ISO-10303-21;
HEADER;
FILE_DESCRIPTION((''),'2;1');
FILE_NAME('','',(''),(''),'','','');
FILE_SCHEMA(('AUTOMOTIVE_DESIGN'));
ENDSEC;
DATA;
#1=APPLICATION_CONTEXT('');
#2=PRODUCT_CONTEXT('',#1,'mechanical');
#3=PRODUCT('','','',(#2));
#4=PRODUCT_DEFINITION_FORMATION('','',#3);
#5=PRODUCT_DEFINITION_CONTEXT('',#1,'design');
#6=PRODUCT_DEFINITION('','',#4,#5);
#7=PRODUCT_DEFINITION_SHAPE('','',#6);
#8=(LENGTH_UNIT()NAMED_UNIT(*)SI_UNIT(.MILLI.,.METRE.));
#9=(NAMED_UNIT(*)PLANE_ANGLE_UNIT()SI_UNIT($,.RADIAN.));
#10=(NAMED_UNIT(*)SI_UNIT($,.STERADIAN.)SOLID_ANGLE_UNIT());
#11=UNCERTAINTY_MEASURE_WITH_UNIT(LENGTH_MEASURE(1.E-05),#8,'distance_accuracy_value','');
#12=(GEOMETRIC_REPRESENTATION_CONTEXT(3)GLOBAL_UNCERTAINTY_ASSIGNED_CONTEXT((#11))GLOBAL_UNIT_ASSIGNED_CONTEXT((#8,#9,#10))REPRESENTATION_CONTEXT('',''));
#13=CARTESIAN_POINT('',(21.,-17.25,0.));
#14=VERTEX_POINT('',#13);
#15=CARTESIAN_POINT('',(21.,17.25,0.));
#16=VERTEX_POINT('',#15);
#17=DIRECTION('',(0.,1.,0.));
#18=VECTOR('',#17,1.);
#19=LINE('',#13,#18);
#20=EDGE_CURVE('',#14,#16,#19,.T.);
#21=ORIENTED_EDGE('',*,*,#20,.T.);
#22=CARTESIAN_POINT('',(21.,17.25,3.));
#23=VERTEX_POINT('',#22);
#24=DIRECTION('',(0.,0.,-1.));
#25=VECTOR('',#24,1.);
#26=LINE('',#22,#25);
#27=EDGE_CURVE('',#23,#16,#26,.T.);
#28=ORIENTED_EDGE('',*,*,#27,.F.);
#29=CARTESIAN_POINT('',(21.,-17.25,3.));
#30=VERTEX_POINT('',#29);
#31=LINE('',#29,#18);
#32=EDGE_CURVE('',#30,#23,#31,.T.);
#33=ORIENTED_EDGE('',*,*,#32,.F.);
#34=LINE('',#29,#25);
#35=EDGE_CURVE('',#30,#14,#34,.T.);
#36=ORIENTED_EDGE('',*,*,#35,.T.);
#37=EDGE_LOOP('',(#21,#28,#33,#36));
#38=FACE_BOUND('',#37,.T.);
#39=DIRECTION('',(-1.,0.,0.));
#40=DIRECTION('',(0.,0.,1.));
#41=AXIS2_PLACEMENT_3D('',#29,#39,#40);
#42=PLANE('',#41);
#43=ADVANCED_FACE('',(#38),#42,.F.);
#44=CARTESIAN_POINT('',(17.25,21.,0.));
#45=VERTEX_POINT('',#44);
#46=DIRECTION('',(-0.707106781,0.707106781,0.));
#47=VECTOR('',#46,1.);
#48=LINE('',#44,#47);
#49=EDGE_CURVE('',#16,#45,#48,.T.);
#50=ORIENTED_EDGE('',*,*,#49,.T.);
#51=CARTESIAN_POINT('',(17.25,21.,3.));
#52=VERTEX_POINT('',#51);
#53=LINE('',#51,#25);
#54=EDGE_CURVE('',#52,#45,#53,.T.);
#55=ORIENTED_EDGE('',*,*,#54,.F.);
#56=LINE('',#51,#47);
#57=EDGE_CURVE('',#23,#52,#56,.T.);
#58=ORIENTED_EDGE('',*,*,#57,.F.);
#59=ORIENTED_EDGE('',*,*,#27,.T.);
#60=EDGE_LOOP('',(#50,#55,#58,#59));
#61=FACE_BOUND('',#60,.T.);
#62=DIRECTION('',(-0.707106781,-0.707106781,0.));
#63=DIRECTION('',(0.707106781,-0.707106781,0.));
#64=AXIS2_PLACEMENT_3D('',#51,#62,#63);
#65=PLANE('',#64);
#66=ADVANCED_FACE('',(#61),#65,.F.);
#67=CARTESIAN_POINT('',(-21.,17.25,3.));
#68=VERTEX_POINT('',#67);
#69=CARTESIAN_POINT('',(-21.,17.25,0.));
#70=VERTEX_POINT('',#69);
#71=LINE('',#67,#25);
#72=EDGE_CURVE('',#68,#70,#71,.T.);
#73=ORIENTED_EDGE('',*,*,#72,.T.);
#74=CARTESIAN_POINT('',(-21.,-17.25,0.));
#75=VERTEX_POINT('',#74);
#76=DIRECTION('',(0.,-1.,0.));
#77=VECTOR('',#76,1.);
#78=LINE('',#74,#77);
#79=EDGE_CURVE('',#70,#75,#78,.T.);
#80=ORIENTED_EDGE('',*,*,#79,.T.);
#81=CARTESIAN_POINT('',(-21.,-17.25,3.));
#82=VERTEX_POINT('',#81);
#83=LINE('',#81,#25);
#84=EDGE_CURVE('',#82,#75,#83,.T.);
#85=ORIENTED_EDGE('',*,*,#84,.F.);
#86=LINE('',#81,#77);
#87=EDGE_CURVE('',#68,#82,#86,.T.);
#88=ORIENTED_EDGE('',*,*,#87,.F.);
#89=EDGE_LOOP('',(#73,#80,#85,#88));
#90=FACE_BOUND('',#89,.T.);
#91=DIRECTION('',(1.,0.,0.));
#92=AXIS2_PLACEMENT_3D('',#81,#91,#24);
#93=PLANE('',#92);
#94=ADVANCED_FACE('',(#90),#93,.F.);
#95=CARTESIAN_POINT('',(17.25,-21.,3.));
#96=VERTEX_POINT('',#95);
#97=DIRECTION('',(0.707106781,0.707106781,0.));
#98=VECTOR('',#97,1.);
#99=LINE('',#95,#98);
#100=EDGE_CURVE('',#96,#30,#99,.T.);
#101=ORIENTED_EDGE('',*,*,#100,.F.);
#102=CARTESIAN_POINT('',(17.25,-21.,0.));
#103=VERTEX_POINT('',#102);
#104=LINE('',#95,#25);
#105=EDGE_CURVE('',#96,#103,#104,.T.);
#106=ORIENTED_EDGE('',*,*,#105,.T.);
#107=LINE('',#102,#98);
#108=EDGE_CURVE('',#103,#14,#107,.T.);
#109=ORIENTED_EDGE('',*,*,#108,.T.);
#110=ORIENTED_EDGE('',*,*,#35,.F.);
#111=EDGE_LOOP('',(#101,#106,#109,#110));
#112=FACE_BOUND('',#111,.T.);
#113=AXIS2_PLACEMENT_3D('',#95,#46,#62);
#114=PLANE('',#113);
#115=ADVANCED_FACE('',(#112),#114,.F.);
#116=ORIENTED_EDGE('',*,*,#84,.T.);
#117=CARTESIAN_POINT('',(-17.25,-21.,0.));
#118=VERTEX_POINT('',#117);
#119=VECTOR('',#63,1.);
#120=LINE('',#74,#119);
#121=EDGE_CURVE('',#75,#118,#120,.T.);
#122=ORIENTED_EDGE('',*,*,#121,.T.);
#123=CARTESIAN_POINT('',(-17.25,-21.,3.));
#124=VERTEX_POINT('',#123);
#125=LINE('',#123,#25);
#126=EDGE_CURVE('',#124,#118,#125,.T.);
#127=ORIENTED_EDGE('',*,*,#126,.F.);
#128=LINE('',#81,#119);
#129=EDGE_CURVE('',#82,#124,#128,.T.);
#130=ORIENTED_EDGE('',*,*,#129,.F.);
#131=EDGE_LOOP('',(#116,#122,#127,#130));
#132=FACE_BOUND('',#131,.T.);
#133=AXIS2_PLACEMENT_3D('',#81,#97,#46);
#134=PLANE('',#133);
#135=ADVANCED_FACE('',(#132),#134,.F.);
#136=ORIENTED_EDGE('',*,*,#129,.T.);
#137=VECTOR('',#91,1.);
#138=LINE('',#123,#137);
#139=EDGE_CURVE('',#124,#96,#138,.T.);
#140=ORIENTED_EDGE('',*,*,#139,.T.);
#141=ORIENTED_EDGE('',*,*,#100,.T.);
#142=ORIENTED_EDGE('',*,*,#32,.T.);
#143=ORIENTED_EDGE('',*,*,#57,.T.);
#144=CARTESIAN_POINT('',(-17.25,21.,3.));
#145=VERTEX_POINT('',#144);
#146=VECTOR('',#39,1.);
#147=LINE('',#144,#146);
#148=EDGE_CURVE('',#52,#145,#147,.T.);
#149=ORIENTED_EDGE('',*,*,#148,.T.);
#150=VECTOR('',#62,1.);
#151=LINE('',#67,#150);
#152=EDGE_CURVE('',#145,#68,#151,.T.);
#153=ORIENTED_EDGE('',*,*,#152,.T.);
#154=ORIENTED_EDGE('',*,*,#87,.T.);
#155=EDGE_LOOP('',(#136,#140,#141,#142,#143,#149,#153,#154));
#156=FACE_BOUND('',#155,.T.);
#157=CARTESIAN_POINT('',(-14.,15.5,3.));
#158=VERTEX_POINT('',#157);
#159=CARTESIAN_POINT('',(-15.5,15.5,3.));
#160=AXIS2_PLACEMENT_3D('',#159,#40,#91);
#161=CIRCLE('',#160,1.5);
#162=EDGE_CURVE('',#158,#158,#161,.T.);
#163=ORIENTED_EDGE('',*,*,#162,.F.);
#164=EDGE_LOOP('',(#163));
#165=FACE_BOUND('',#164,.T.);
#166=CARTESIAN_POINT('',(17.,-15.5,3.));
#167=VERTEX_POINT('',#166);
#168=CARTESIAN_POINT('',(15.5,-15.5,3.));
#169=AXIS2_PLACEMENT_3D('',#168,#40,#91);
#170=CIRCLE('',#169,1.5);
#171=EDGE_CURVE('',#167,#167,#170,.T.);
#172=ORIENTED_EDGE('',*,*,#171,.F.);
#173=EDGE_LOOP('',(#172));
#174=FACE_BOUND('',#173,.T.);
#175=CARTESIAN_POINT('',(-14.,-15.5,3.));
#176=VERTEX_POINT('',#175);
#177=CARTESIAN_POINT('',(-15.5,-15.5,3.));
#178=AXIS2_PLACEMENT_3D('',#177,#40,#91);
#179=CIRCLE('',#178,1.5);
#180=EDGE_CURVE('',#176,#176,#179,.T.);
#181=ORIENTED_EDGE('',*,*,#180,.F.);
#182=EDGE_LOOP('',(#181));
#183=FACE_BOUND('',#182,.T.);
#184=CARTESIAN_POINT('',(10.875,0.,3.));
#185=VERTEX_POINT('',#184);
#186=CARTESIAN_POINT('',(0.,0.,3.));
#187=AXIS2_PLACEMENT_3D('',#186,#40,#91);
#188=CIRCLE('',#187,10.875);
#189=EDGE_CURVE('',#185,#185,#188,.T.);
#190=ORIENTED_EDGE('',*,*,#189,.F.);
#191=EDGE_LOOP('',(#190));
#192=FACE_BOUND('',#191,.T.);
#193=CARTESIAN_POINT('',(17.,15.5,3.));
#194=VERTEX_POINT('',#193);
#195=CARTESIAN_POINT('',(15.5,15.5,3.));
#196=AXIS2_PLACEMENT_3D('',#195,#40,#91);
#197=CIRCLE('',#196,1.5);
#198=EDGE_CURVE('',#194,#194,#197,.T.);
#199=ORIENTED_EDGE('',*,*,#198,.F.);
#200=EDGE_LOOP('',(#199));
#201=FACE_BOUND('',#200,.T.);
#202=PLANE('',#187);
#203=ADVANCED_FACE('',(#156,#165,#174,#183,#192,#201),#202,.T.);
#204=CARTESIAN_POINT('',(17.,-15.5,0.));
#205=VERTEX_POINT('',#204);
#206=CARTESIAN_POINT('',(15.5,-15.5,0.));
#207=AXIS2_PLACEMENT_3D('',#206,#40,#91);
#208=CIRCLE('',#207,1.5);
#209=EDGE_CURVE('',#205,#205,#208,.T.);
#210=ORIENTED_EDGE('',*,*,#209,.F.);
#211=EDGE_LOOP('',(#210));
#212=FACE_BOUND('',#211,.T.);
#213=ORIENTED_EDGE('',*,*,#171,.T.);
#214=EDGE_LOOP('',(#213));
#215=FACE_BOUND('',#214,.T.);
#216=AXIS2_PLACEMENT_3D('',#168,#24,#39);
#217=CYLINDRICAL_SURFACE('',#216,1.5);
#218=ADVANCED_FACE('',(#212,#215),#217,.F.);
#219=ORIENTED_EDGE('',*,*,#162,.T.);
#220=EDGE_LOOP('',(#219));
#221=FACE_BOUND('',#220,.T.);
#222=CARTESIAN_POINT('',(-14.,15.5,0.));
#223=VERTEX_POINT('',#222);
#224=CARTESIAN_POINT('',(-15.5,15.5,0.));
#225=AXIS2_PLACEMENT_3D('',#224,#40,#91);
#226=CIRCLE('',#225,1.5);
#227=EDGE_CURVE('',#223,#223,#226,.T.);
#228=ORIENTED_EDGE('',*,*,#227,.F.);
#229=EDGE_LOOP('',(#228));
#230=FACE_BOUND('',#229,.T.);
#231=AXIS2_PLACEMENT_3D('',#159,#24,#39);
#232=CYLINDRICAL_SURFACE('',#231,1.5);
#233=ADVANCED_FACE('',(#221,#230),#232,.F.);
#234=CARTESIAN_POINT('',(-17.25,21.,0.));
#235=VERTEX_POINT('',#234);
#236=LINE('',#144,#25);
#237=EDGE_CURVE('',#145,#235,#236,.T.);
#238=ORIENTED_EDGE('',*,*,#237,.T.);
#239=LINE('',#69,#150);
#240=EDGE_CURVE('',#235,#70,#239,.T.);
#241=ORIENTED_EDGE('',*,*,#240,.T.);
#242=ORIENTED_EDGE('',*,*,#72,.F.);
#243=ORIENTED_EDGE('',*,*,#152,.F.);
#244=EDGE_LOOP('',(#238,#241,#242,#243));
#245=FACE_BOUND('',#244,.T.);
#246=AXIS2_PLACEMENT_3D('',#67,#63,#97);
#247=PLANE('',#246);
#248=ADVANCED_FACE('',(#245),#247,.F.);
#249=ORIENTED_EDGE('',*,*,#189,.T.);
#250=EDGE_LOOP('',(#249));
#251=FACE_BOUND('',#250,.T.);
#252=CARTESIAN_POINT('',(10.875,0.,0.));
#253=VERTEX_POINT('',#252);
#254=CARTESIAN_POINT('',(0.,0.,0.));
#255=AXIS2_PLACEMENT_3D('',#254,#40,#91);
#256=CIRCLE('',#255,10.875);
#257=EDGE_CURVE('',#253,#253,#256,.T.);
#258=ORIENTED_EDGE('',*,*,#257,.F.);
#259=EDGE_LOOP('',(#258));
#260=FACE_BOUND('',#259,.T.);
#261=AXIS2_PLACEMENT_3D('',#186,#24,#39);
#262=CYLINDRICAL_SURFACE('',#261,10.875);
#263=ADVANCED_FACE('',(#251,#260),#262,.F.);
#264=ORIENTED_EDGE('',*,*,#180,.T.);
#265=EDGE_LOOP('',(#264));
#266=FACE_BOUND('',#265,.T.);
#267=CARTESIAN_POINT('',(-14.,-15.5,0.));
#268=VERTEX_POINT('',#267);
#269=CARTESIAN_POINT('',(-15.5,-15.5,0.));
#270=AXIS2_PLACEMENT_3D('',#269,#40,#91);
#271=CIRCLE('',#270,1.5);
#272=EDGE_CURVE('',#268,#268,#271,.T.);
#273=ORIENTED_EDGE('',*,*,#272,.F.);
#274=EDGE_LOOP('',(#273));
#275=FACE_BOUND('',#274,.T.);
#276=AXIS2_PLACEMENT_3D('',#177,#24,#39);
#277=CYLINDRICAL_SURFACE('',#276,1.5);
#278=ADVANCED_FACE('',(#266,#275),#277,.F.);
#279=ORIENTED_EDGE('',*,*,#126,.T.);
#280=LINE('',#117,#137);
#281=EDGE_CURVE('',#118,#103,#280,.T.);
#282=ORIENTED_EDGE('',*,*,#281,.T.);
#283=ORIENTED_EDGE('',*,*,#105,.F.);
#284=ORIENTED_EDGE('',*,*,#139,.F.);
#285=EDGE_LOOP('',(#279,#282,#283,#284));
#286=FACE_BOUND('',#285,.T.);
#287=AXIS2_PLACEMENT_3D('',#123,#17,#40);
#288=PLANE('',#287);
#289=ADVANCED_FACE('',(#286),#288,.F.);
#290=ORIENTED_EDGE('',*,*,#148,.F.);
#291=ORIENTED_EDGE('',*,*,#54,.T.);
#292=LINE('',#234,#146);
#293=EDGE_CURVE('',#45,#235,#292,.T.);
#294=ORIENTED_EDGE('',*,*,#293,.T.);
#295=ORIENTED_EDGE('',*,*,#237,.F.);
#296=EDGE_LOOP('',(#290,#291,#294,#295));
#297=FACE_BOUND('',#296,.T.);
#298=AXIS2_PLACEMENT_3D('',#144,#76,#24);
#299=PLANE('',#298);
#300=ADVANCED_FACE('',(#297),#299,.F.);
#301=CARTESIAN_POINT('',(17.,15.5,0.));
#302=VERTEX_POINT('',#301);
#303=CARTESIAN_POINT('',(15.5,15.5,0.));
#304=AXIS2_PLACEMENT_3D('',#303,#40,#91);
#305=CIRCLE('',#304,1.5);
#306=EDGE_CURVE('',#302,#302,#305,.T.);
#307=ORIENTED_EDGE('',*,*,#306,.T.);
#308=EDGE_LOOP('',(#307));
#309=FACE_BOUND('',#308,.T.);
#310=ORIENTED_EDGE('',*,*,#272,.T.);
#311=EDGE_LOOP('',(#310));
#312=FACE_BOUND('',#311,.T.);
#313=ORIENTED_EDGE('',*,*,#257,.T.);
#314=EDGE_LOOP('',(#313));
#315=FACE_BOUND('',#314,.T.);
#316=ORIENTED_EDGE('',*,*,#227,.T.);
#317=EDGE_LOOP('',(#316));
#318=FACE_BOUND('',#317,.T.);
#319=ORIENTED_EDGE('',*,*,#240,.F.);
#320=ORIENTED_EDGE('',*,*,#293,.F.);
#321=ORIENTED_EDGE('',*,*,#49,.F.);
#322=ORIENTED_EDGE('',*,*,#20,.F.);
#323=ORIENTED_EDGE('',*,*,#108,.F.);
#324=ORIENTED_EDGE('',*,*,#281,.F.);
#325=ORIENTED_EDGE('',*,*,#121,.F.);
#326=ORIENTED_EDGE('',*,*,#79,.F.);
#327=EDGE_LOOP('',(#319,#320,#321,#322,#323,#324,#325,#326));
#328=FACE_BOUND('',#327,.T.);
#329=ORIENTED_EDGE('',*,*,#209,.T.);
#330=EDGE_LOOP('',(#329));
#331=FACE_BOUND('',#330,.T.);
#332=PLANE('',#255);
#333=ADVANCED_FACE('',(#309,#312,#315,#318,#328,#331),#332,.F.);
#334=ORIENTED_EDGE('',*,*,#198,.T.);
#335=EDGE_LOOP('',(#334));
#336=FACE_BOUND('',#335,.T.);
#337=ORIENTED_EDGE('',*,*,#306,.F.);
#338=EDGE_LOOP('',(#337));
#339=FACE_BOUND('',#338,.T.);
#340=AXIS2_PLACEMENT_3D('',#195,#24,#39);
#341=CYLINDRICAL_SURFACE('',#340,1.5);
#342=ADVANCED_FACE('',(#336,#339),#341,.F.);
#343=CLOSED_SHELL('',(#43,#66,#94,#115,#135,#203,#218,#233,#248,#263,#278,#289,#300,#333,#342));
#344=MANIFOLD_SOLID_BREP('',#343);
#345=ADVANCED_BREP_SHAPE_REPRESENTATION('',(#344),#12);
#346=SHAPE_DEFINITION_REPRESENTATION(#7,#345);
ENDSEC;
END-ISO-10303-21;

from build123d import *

# Parameters (mm, degrees)
SKETCH_1_R      = 1.5
SKETCH_1_R_2    = 10.875
EXTRUDE_1_DEPTH = 3


with BuildPart() as part:
    # Эскиз1 → Бобышка-Вытянуть1 (new body)
    with BuildSketch(Plane.XY):
        Polygon((17.25, 21), (21, 17.25), (21, -17.25), (17.25, -21), (-17.25, -21), (-21, -17.25), (-21, 17.25), (-17.25, 21), align=None)
        with Locations((-15.5, 15.5)):
            Circle(SKETCH_1_R, mode=Mode.SUBTRACT)
        with Locations((15.5, 15.5)):
            Circle(SKETCH_1_R, mode=Mode.SUBTRACT)
        with Locations((15.5, -15.5)):
            Circle(SKETCH_1_R, mode=Mode.SUBTRACT)
        with Locations((-15.5, -15.5)):
            Circle(SKETCH_1_R, mode=Mode.SUBTRACT)
        Circle(SKETCH_1_R_2, mode=Mode.SUBTRACT)
    extrude(amount=EXTRUDE_1_DEPTH)


solid = part.part
